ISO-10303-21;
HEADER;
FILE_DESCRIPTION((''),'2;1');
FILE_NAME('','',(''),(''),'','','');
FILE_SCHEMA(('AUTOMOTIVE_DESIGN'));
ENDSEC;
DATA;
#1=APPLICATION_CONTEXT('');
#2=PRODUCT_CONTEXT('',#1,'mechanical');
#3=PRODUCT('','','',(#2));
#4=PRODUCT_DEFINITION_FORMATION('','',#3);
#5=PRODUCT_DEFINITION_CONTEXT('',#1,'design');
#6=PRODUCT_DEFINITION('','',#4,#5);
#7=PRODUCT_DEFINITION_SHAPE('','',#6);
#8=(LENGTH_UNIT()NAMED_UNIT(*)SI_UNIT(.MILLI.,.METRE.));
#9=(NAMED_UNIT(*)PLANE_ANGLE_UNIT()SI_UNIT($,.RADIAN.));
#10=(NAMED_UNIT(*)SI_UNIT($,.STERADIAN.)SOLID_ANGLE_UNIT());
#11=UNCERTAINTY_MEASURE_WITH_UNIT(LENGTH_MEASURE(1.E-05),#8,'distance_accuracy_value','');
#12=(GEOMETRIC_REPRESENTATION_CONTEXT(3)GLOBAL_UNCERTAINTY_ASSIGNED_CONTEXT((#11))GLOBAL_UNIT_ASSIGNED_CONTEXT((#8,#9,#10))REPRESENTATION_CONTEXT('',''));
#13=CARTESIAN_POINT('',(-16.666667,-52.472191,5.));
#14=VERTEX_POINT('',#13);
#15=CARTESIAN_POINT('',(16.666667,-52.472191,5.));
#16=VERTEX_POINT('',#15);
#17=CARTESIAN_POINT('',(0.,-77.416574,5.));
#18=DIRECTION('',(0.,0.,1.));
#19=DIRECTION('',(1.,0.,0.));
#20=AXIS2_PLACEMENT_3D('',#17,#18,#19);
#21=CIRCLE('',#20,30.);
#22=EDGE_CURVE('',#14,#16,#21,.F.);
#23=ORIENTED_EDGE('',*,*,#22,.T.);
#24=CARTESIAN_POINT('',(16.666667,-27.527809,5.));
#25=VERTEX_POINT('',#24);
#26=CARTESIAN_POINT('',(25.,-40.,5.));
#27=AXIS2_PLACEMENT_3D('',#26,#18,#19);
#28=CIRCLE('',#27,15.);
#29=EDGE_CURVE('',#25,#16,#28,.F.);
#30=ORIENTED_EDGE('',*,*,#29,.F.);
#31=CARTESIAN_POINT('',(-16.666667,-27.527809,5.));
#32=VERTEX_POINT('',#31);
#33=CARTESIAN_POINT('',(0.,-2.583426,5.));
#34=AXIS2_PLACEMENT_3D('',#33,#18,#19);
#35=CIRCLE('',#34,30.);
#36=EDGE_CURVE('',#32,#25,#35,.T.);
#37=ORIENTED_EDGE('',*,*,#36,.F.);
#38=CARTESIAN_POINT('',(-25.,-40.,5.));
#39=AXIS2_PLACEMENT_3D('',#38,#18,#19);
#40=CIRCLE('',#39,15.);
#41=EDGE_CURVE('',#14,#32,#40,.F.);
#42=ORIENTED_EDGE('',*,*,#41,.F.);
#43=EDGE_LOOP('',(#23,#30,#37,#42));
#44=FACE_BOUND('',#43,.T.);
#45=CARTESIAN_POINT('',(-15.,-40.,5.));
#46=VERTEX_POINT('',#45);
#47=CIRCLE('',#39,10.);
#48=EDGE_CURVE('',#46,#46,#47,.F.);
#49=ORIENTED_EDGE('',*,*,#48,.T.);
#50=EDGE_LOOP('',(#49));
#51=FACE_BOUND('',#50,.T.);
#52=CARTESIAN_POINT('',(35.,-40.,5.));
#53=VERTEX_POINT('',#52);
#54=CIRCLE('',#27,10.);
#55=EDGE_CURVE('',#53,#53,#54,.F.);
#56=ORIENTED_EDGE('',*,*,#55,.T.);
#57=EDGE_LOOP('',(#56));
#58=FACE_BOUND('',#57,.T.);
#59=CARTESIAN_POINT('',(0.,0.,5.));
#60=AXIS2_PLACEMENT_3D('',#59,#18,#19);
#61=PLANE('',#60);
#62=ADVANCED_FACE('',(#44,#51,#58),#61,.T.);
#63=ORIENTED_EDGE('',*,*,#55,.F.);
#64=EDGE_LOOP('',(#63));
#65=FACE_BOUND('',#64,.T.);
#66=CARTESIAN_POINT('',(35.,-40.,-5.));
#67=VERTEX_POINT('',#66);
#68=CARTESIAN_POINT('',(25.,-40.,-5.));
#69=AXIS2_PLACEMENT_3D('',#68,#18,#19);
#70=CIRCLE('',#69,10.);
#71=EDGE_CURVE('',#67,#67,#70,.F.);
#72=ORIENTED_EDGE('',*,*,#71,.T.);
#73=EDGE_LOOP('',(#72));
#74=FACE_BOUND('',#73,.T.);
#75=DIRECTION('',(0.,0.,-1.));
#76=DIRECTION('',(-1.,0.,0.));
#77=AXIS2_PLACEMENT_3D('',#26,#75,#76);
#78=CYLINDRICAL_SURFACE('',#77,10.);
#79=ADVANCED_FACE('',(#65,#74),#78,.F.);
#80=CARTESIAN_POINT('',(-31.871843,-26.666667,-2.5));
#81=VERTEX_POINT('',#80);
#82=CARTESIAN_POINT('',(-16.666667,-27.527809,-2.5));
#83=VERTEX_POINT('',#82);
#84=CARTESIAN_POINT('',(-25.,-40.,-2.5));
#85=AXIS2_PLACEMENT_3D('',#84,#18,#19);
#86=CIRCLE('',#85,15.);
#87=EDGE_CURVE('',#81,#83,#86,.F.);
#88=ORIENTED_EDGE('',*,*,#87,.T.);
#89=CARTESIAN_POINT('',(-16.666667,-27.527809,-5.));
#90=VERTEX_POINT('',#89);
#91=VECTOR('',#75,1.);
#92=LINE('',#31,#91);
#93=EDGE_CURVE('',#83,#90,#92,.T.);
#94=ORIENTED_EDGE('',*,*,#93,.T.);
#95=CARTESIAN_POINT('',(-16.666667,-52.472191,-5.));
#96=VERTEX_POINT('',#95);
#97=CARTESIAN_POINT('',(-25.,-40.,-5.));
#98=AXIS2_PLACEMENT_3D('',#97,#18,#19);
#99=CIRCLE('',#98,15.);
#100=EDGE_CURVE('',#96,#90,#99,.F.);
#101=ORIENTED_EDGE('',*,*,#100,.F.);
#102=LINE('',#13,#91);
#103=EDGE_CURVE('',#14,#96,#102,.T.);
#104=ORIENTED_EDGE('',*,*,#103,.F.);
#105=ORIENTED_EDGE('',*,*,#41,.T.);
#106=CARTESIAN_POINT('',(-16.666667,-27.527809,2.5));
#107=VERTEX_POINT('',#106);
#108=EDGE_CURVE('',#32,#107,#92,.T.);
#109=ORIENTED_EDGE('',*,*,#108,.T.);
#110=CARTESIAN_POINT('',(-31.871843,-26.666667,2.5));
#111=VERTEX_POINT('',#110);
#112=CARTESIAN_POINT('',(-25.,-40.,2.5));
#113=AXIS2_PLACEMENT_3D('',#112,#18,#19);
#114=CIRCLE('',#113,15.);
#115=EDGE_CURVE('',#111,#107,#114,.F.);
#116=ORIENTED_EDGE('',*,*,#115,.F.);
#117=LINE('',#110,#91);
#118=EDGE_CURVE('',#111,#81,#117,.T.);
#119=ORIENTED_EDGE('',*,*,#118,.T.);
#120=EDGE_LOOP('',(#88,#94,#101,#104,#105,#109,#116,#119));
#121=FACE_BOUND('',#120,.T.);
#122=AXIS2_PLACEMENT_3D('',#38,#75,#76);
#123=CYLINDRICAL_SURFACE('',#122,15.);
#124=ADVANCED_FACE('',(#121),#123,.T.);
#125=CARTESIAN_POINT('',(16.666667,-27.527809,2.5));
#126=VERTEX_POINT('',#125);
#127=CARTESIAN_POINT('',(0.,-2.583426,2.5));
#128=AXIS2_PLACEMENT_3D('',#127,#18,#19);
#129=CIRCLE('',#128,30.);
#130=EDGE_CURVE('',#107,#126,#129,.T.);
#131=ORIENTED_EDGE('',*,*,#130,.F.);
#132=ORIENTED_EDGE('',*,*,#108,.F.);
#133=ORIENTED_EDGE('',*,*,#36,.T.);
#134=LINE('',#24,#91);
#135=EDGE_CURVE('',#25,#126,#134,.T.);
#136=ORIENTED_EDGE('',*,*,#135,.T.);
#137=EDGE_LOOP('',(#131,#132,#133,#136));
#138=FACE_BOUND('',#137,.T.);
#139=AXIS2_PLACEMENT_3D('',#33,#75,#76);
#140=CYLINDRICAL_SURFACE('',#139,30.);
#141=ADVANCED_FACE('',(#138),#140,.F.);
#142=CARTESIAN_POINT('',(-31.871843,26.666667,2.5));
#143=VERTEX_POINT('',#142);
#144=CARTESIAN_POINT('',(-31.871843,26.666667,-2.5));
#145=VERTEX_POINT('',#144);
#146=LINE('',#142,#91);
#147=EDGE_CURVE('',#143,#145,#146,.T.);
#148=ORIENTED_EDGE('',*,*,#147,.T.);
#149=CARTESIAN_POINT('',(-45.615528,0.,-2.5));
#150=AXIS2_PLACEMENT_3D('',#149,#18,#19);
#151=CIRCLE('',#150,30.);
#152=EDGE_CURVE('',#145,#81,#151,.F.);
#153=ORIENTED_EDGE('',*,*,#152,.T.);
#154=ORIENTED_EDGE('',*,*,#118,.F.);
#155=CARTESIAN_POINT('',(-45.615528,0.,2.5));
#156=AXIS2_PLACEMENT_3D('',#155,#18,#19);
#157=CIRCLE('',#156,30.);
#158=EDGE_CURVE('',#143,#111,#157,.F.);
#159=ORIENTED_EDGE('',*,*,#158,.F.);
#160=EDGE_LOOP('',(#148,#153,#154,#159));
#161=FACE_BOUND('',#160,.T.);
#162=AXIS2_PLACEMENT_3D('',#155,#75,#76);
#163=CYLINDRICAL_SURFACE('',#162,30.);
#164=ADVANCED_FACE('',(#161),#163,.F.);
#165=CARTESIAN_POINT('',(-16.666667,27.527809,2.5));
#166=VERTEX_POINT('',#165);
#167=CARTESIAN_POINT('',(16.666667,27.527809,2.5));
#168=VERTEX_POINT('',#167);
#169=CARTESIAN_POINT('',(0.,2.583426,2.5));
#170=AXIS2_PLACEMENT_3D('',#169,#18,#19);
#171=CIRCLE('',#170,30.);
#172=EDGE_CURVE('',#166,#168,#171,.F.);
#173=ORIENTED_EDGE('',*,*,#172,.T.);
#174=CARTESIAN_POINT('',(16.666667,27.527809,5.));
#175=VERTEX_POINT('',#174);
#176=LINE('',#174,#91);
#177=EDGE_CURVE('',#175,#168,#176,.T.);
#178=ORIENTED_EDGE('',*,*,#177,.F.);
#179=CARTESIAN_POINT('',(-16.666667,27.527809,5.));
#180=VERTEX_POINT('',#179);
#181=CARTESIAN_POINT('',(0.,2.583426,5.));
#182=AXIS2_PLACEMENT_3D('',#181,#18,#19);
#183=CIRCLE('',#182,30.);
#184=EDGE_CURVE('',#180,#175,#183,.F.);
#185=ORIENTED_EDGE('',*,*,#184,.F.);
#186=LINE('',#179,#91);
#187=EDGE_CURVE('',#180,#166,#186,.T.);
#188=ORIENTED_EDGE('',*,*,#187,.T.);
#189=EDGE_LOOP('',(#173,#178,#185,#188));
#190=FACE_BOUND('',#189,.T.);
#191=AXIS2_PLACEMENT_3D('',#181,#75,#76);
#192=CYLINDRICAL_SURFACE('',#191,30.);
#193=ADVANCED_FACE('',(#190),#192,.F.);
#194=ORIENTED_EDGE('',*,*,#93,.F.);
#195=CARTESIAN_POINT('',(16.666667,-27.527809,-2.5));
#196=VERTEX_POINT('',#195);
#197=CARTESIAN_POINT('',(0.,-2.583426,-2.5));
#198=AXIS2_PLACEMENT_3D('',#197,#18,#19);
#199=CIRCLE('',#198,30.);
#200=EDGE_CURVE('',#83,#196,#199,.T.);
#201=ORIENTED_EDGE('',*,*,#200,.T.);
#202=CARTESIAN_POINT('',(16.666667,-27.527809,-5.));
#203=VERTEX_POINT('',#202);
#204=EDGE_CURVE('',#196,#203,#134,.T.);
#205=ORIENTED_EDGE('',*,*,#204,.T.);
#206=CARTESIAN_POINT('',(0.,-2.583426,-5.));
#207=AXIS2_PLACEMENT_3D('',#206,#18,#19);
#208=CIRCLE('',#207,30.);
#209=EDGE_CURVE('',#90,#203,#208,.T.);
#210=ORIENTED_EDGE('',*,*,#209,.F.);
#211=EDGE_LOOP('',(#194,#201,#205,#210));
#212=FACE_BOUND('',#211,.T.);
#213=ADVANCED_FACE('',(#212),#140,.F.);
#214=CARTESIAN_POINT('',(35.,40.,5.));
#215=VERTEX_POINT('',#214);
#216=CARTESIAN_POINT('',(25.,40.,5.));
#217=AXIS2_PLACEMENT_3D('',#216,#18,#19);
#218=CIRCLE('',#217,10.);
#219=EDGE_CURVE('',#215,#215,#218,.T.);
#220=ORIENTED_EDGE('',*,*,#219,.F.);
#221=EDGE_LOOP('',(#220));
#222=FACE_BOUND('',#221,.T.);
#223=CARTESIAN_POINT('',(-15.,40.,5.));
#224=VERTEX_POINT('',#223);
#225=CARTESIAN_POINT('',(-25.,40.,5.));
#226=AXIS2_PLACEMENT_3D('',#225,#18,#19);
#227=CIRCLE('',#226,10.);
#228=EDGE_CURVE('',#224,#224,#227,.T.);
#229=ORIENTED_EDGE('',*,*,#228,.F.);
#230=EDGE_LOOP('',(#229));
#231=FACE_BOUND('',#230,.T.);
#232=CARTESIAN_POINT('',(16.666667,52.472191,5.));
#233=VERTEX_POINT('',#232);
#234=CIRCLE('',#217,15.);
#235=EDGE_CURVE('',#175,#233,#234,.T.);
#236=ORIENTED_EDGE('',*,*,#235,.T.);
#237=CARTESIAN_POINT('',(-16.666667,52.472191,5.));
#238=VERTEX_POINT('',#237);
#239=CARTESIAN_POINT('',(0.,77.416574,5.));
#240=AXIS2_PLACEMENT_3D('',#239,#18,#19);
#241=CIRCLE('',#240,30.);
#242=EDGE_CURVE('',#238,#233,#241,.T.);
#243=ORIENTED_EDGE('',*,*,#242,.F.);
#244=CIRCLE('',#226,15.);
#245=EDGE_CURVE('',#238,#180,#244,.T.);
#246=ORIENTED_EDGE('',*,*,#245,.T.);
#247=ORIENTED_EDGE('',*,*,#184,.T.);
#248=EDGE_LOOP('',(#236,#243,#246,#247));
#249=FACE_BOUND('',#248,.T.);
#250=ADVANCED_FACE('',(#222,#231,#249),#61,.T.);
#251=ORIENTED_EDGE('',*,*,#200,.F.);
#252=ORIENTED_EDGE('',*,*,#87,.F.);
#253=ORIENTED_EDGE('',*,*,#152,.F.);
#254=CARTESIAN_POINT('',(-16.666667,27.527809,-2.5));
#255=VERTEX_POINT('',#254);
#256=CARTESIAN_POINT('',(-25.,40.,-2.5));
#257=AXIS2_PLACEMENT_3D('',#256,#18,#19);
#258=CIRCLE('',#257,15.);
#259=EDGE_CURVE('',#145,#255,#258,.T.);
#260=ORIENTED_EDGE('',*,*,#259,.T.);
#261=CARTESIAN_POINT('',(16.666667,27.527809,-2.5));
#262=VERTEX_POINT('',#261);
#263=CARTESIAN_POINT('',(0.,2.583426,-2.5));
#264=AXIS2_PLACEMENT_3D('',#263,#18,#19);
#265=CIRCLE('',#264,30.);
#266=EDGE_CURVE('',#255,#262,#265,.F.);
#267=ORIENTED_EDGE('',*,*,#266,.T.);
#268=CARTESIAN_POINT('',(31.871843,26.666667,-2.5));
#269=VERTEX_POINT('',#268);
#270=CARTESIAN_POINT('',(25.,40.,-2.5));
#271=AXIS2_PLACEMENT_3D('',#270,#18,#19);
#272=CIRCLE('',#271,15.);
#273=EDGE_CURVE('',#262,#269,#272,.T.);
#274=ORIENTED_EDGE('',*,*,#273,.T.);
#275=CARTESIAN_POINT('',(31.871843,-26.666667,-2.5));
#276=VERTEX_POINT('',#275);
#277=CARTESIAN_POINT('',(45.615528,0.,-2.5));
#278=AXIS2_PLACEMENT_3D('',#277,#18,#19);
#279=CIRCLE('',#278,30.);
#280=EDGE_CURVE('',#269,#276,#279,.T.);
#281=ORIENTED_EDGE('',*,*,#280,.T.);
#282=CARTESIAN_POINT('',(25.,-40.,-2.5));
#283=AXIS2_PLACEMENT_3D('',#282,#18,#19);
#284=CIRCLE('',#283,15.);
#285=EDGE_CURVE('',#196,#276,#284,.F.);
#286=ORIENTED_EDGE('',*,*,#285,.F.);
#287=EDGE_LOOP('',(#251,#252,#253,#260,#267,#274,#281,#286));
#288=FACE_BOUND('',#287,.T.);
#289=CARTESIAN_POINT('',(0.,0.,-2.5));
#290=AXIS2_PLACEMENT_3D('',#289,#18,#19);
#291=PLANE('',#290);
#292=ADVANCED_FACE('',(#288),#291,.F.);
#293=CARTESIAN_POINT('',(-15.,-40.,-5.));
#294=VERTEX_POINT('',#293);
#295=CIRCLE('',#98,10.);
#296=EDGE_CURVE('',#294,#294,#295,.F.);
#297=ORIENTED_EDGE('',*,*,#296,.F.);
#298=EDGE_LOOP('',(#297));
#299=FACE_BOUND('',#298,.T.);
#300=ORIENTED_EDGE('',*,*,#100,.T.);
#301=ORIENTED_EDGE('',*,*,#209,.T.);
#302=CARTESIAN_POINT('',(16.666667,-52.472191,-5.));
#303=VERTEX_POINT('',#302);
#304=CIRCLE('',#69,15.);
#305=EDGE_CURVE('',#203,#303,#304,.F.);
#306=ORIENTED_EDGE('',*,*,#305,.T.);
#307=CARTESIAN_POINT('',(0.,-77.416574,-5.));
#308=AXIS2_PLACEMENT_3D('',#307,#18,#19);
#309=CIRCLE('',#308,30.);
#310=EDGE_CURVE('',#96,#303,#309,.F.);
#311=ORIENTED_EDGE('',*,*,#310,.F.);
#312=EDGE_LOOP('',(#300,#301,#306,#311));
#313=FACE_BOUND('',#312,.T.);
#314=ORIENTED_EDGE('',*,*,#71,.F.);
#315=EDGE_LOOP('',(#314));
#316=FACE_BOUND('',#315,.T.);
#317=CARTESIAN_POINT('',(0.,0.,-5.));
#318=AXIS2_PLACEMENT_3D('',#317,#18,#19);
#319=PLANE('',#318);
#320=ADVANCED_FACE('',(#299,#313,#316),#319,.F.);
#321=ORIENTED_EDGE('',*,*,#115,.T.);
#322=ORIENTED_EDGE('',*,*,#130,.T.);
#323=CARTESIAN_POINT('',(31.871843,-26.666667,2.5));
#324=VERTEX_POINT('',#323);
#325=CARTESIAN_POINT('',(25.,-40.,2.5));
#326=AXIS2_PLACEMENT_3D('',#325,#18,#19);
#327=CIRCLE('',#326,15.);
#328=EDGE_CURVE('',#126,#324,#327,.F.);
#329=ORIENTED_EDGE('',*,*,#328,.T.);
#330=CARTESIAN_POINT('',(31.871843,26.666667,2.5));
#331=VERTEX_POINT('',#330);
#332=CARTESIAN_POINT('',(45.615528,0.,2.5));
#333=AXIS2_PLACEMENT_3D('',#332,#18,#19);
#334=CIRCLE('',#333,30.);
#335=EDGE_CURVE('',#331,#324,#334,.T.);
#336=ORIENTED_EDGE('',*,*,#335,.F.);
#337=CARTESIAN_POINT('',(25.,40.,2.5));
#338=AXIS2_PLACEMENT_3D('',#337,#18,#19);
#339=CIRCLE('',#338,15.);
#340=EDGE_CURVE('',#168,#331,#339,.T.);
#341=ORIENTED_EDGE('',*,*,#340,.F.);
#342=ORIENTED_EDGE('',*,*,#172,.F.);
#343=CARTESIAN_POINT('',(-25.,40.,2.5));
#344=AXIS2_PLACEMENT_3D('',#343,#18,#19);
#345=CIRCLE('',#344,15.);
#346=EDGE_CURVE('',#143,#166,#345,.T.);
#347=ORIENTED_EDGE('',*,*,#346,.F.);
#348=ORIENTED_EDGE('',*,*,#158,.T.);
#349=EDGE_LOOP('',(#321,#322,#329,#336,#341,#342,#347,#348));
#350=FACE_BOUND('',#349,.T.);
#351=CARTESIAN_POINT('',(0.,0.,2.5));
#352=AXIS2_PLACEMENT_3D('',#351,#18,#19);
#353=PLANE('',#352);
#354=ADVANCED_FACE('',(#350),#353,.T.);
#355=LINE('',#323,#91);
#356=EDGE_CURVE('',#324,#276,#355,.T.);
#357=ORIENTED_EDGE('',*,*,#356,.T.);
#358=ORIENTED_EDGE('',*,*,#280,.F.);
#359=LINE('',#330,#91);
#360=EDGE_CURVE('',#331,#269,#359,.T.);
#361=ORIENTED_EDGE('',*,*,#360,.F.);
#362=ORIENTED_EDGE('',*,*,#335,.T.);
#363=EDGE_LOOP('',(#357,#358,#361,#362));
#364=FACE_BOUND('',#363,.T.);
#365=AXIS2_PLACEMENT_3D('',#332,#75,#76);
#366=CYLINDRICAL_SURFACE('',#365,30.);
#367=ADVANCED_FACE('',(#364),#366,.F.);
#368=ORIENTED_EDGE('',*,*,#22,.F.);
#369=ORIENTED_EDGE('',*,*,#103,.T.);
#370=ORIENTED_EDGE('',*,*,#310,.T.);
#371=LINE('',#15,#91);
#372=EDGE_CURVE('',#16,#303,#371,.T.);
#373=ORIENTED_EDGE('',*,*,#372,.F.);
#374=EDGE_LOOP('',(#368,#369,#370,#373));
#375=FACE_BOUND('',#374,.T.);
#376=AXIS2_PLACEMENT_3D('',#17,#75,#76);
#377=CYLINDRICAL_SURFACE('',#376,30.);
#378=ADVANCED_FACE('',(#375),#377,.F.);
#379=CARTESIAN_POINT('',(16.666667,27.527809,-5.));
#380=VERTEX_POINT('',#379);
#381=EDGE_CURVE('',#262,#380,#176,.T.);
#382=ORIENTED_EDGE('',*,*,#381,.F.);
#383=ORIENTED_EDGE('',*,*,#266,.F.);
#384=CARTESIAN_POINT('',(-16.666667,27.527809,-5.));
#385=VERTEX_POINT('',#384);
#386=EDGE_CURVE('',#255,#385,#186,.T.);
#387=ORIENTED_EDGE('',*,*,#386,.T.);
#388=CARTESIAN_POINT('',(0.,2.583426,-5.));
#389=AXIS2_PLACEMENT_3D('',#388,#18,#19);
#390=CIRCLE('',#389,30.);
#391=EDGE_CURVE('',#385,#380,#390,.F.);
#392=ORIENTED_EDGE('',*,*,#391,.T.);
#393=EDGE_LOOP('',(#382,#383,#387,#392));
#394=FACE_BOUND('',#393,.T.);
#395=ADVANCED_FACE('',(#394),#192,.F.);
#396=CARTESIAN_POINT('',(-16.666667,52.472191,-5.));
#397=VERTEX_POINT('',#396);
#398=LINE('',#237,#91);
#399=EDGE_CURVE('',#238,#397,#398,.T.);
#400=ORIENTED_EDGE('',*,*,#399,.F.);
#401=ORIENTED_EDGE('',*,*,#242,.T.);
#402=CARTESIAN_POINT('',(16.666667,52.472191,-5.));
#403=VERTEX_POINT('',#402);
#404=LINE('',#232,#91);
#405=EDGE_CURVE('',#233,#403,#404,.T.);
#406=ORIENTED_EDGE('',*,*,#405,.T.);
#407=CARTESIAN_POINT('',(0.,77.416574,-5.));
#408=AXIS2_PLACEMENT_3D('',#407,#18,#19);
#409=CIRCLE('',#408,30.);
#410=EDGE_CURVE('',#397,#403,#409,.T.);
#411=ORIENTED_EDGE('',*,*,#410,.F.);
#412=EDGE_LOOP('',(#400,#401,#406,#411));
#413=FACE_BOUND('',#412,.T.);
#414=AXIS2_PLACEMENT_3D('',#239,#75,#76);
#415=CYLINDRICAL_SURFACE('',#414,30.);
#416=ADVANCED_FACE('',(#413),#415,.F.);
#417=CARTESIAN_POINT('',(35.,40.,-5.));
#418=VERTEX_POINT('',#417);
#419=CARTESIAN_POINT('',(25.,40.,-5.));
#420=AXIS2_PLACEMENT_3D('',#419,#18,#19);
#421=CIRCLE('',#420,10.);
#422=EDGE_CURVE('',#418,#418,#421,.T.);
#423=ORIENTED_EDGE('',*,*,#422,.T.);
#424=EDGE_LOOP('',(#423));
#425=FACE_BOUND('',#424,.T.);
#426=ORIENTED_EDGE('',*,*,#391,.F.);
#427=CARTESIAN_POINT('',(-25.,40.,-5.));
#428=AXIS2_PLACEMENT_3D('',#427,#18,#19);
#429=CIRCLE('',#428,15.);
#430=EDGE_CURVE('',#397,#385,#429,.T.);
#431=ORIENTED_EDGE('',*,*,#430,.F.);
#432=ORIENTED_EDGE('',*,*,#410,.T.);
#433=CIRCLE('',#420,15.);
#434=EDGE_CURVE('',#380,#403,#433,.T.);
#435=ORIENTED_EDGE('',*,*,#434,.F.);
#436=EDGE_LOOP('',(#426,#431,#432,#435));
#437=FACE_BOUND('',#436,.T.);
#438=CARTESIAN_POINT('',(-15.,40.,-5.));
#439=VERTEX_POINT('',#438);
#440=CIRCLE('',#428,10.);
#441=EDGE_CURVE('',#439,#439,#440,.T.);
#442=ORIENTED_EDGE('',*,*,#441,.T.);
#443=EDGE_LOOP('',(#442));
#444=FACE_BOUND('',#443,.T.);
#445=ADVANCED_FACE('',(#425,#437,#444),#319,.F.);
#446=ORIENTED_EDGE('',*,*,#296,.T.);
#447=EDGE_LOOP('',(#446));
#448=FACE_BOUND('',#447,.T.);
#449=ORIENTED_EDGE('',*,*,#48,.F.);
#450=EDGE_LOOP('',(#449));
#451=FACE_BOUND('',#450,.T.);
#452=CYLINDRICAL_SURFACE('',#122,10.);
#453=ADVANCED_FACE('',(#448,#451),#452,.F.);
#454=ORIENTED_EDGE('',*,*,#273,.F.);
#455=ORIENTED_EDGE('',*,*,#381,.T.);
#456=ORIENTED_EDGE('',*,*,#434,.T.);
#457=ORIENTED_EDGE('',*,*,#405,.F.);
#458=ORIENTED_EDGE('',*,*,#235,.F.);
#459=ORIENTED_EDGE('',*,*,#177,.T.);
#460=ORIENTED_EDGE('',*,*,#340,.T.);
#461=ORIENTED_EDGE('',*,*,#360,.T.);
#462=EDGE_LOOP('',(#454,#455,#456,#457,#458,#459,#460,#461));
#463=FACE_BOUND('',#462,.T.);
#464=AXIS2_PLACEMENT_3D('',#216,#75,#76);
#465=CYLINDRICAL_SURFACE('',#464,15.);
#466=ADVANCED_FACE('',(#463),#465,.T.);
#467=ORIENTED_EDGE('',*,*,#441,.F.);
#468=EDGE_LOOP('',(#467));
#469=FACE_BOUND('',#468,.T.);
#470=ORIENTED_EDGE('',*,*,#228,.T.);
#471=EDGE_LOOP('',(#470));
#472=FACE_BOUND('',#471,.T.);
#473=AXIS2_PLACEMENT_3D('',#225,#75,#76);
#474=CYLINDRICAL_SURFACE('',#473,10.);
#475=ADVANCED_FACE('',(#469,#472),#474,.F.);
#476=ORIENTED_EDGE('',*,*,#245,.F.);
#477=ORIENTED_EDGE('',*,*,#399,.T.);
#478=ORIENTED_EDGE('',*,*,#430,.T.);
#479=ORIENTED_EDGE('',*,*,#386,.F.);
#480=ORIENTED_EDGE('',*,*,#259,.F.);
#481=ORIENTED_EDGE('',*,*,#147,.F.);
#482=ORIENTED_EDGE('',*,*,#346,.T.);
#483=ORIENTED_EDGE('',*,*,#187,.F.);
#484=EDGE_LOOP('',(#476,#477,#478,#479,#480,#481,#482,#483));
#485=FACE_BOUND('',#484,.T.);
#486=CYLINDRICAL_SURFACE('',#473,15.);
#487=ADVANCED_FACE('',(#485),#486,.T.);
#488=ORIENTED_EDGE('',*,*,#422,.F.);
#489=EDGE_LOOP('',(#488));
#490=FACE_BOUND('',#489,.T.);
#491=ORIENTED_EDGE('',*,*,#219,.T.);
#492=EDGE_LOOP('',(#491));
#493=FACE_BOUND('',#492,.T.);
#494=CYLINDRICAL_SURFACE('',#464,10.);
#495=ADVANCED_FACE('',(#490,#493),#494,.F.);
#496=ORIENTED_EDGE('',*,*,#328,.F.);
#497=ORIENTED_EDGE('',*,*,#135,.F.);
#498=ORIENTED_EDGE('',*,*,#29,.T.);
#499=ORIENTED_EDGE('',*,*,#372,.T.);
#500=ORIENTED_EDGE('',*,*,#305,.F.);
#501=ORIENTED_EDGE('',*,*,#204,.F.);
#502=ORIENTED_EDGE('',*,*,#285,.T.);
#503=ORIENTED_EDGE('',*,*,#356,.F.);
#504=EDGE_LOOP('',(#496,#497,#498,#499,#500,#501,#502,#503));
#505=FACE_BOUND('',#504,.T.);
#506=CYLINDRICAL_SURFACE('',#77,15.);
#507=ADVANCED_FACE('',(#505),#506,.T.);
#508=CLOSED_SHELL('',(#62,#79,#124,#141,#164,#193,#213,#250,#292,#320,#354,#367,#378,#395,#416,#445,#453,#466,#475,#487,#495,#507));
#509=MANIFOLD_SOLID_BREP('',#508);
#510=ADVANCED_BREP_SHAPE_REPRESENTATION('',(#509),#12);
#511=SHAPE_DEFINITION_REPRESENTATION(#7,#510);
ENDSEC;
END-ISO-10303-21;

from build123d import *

# Parameters (mm, degrees)
SKETCH1_R             = 10
BOSS_EXTRUDE1_DEPTH   = 5
BOSS_EXTRUDE1_2_DEPTH = 5
BOSS_EXTRUDE2_DEPTH   = 2.5


with BuildPart() as part:
    # Sketch1 → Boss-Extrude1 (new, symmetric)
    with BuildSketch(Plane.XY):
        with BuildLine():
            ThreePointArc((-16.666666667, 27.527808711), (0, 32.583426132), (16.666666667, 27.527808711))
            ThreePointArc((16.666666667, 27.527808711), (40, 40), (16.666666667, 52.472191289))
            ThreePointArc((16.666666667, 52.472191289), (0, 47.416573868), (-16.666666667, 52.472191289))
            ThreePointArc((-16.666666667, 52.472191289), (-40, 40), (-16.666666667, 27.527808711))
        make_face()
        with Locations((-25, 40)):
            Circle(SKETCH1_R, mode=Mode.SUBTRACT)
        with Locations((25, 40)):
            Circle(SKETCH1_R, mode=Mode.SUBTRACT)
    extrude(amount=BOSS_EXTRUDE1_DEPTH, both=True)



with BuildPart() as body_2:
    # Sketch1 → Boss-Extrude1 2 (new, symmetric)
    with BuildSketch(Plane.XY):
        with BuildLine():
            ThreePointArc((16.666666667, -52.472191289), (40, -40), (16.666666667, -27.527808711))
            ThreePointArc((16.666666667, -27.527808711), (0, -32.583426132), (-16.666666667, -27.527808711))
            ThreePointArc((-16.666666667, -27.527808711), (-40, -40), (-16.666666667, -52.472191289))
            ThreePointArc((-16.666666667, -52.472191289), (0, -47.416573868), (16.666666667, -52.472191289))
        make_face()
        with Locations((-25, -40)):
            Circle(SKETCH1_R, mode=Mode.SUBTRACT)
        with Locations((25, -40)):
            Circle(SKETCH1_R, mode=Mode.SUBTRACT)
    extrude(amount=BOSS_EXTRUDE1_2_DEPTH, both=True)


with BuildPart() as part_1:
    add(part.part)

    add(body_2.part)  # Boss-Extrude2 merges body 2
    # Sketch1<3> → Boss-Extrude2 (add, symmetric)
    with BuildSketch(Plane.XY):
        with BuildLine():
            ThreePointArc((31.871842709, 26.666666667), (24.151837211, 25.023998535), (16.666666667, 27.527808711))
            ThreePointArc((16.666666667, 27.527808711), (0, 32.583426132), (-16.666666667, 27.527808711))
            ThreePointArc((-16.666666667, 27.527808711), (-24.151837211, 25.023998535), (-31.871842709, 26.666666667))
            ThreePointArc((-31.871842709, 26.666666667), (-15.615528128, 0), (-31.871842709, -26.666666667))
            ThreePointArc((-31.871842709, -26.666666667), (-24.151837211, -25.023998535), (-16.666666667, -27.527808711))
            ThreePointArc((-16.666666667, -27.527808711), (0, -32.583426132), (16.666666667, -27.527808711))
            ThreePointArc((16.666666667, -27.527808711), (24.151837211, -25.023998535), (31.871842709, -26.666666667))
            ThreePointArc((31.871842709, -26.666666667), (15.615528128, 0), (31.871842709, 26.666666667))
        make_face()
    extrude(amount=BOSS_EXTRUDE2_DEPTH, both=True)


solid = part_1.part
